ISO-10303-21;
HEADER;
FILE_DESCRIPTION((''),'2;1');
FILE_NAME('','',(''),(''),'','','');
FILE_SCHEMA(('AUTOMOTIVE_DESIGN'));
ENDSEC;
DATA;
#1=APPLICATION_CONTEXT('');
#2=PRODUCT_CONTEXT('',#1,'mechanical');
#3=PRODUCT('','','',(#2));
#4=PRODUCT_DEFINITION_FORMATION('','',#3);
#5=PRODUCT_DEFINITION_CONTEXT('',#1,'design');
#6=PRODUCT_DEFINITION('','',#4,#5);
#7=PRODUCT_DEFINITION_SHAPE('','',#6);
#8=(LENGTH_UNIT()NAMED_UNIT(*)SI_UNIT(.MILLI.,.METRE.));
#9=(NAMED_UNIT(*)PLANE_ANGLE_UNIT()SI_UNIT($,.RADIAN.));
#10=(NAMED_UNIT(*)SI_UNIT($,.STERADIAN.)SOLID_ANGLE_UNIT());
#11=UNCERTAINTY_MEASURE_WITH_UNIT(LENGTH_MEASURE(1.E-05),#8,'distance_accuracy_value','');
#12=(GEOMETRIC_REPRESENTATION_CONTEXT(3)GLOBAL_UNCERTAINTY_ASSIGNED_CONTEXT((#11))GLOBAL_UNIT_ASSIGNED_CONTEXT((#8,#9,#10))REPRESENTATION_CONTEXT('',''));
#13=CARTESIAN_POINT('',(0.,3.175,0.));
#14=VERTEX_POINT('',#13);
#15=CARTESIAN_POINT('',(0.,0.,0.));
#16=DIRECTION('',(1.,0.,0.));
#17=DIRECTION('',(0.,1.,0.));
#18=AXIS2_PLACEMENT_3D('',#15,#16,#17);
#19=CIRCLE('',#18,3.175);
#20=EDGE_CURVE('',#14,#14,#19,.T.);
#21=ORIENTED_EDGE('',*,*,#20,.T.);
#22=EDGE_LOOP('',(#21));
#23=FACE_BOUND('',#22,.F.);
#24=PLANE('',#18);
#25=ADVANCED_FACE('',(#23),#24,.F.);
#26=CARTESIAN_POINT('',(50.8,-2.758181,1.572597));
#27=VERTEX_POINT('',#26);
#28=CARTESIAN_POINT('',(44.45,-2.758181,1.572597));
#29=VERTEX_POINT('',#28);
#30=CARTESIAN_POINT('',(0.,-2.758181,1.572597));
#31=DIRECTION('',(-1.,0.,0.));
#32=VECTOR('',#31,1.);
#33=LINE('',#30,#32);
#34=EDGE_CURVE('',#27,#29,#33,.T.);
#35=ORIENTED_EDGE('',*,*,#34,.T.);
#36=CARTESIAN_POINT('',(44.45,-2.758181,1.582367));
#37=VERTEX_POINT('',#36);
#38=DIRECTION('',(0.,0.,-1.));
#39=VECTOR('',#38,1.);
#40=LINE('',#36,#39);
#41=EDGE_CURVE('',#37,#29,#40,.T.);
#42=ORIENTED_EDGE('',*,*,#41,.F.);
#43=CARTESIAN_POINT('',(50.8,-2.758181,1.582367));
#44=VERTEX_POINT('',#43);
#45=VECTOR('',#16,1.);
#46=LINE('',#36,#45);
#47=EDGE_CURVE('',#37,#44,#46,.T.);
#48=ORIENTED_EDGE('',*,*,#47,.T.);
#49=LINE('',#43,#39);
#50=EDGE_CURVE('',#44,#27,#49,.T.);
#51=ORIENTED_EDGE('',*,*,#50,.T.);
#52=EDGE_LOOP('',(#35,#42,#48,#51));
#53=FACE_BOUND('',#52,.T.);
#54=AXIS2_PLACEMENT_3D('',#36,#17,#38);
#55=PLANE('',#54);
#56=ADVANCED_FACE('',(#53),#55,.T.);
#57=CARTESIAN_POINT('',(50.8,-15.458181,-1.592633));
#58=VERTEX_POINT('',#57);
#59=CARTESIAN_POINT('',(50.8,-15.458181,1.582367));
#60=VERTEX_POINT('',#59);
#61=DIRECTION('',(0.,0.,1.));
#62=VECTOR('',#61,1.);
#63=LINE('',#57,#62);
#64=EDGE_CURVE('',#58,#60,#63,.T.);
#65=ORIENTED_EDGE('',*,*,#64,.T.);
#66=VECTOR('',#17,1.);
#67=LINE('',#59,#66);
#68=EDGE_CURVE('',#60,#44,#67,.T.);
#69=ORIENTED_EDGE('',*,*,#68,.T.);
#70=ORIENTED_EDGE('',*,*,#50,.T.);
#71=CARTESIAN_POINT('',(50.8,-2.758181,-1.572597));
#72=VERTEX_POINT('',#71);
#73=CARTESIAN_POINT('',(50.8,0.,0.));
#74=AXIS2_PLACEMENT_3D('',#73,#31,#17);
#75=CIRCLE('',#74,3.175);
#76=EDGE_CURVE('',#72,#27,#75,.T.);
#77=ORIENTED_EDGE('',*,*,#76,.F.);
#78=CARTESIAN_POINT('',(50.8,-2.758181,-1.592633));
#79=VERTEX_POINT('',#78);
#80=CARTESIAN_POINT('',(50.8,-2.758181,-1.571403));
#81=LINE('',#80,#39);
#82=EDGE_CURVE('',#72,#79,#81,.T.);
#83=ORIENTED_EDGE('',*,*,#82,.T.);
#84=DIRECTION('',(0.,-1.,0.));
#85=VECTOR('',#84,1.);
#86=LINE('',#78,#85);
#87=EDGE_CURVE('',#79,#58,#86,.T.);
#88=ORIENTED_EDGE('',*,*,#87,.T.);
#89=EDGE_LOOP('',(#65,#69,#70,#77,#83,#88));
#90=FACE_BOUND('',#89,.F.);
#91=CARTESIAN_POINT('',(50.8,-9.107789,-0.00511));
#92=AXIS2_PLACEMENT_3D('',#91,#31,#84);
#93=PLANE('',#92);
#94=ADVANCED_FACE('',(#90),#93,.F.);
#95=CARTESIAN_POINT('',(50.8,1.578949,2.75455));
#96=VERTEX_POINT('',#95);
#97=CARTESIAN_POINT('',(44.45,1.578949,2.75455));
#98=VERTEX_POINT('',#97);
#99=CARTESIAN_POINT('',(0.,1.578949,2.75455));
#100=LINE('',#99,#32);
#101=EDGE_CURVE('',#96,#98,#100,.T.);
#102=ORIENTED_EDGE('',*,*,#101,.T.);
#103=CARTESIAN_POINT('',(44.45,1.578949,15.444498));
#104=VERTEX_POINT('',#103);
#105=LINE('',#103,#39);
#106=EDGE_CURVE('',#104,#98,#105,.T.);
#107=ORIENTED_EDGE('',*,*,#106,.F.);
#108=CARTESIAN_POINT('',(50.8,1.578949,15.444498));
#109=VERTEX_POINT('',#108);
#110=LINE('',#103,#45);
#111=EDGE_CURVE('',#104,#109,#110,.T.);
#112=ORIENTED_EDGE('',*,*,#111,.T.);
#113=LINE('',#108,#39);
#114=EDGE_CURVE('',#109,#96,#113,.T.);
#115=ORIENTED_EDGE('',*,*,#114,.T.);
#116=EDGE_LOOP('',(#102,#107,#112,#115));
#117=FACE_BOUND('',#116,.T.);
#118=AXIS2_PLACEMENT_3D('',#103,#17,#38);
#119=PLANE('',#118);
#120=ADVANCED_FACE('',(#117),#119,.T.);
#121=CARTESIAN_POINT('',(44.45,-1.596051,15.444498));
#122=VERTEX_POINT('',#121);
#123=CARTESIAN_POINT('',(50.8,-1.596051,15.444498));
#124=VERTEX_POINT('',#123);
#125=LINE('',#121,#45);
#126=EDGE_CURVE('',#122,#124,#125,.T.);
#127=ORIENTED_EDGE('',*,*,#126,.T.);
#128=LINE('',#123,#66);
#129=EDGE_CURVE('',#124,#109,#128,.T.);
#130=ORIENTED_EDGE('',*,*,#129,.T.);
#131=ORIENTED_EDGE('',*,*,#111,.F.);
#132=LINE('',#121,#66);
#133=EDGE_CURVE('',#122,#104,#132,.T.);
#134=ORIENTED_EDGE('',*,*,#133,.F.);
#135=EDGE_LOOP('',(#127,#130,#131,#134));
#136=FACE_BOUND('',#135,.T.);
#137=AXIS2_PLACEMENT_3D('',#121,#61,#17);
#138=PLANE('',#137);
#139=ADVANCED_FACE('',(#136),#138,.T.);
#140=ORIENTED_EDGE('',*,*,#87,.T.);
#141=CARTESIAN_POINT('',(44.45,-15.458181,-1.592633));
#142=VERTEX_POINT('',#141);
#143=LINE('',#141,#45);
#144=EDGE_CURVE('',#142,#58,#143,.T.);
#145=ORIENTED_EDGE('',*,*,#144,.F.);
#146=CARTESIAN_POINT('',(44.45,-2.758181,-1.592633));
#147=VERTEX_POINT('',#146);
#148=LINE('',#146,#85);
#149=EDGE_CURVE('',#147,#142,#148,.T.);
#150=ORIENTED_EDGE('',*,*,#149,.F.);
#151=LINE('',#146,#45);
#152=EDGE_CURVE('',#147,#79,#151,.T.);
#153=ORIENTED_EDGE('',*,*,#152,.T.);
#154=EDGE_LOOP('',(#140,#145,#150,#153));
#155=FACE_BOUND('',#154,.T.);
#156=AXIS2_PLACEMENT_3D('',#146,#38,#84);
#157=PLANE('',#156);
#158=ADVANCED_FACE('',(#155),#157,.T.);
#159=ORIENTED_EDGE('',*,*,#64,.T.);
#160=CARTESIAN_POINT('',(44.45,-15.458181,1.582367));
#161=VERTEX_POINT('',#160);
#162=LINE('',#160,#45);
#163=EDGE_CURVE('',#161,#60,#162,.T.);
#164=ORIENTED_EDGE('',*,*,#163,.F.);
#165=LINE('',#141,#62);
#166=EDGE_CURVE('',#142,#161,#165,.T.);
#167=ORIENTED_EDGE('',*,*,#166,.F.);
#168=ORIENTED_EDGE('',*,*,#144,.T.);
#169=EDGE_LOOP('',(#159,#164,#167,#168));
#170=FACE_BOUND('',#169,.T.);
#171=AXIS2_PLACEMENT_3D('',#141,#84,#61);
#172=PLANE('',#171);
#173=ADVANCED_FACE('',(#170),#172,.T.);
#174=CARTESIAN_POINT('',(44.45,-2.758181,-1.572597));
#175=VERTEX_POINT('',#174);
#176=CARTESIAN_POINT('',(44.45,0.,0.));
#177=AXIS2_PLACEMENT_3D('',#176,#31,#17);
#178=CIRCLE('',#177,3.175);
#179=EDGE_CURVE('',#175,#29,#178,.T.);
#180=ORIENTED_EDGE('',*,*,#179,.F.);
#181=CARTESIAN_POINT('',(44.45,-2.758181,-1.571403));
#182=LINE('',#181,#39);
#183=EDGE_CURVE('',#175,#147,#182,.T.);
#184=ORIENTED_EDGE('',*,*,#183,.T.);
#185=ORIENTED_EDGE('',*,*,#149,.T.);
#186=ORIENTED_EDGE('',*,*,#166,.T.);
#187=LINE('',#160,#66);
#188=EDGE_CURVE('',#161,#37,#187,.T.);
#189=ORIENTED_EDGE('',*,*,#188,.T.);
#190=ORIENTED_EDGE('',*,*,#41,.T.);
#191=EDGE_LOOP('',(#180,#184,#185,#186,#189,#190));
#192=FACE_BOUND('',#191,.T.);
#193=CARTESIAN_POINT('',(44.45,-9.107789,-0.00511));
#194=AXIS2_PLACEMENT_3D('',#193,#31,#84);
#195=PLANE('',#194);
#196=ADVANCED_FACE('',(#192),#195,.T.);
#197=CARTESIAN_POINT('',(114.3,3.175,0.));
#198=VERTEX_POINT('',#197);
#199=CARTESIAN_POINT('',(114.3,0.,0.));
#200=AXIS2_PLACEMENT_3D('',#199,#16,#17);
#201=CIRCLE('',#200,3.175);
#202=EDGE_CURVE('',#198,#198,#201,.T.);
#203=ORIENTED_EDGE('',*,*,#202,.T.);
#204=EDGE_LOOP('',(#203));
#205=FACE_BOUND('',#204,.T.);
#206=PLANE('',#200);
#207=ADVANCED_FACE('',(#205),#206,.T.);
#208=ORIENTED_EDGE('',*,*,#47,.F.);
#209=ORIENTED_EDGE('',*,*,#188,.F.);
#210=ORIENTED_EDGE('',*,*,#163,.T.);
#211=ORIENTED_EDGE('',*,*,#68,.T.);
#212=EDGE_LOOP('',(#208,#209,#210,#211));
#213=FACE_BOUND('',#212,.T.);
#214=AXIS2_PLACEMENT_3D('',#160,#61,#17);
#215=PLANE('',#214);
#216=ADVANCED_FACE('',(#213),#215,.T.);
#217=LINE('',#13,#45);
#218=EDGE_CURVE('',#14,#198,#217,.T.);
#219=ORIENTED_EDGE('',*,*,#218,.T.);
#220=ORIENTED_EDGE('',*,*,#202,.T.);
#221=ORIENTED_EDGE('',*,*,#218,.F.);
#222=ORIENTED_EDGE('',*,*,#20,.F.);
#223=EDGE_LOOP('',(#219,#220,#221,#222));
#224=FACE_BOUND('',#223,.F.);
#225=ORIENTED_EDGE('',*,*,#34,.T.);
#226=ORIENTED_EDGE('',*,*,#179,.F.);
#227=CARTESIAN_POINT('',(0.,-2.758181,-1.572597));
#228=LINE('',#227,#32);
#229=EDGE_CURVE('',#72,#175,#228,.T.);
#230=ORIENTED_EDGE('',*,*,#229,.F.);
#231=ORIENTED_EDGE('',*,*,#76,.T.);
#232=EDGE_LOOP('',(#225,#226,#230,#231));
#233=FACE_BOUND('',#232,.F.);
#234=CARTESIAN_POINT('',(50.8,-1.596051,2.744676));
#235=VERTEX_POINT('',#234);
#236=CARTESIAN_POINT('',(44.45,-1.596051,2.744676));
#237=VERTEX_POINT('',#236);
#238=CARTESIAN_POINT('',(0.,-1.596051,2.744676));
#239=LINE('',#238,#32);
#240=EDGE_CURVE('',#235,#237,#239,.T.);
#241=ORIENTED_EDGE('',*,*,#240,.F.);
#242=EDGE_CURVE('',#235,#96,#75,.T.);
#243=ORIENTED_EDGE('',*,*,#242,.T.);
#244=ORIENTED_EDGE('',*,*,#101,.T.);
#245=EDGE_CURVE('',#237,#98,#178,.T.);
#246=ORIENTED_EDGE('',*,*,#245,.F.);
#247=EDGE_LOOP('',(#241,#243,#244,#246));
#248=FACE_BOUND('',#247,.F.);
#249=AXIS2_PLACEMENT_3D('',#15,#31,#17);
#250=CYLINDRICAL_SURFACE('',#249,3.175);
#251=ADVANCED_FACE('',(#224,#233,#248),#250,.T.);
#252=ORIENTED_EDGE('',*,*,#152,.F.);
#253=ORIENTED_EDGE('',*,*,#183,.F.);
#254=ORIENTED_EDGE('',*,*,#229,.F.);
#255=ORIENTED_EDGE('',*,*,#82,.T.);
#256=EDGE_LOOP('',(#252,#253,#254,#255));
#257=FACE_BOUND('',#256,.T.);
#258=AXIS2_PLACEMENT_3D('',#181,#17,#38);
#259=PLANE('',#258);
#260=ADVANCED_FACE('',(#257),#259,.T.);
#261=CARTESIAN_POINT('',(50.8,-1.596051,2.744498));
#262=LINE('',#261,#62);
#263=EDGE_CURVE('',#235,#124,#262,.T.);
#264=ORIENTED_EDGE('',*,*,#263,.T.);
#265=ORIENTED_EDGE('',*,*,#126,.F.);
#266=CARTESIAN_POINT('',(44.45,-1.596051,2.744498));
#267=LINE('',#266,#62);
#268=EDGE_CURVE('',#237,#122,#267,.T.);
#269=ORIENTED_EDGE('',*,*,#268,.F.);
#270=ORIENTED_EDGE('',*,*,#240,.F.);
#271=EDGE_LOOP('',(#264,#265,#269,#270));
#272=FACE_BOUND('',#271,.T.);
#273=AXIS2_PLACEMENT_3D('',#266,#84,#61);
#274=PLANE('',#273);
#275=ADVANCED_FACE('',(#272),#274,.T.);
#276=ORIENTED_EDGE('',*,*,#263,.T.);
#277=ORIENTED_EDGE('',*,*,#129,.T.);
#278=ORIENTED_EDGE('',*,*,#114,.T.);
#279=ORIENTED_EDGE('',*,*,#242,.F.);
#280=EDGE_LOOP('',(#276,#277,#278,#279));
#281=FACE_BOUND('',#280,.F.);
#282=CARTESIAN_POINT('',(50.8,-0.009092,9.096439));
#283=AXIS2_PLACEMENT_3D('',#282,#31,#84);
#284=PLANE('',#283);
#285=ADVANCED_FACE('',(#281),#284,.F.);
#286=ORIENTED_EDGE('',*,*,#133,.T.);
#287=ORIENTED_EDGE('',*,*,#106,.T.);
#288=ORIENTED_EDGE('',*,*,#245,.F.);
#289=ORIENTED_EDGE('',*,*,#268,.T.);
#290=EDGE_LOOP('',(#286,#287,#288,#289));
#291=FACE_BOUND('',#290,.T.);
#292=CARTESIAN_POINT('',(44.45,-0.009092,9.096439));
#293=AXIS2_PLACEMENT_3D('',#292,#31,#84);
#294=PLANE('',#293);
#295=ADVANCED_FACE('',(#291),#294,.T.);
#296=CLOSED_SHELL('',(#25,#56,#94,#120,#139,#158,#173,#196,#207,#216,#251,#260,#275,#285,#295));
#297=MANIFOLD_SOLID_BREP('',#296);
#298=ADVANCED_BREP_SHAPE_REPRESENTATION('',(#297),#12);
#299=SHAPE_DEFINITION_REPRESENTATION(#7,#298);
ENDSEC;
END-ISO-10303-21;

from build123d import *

# Parameters (mm, degrees)
F0_R     = 3.175
F1_DEPTH = 114.3
F5_DEPTH = 6.35


with BuildPart() as f1:
    # F0 (on Right) → F1 (new body)
    with BuildSketch(Plane.YZ):
        Circle(F0_R)
    extrude(amount=F1_DEPTH)

    # F4 (on offset) → F5 (join)
    with BuildSketch(Plane(origin=(44.45, 0, 0), x_dir=(0, -1, 0), z_dir=(-1, 0, 0))):
        with BuildLine():
            Line((15.4581812469, 1.5823668619), (2.7581812469, 1.5823668619))
            Line((2.7581812469, 1.5823668619), (2.7581812469, 1.571402878))
            ThreePointArc((2.7581812469, 1.571402878), (3.0685880653, 0.8127964573), (3.1744087316, 0))
            ThreePointArc((3.1744087316, 0), (3.0685880653, -0.8127964573), (2.7581812469, -1.571402878))
            Line((2.7581812469, -1.571402878), (2.7581812469, -1.5926331381))
            Line((2.7581812469, -1.5926331381), (15.4581812469, -1.5926331381))
            Line((15.4581812469, -1.5926331381), (15.4581812469, 1.5823668619))
        make_face()
        with BuildLine():
            ThreePointArc((-1.5789494102, 2.7538681079), (0.0093713682, 3.1743948987), (1.5951815458, 2.7444975189))
            Line((1.5951815458, 2.7444975189), (1.5960505898, 2.7444975189))
            Line((1.5960505898, 2.7444975189), (1.5960505898, 15.4444975189))
            Line((1.5960505898, 15.4444975189), (-1.5789494102, 15.4444975189))
            Line((-1.5789494102, 15.4444975189), (-1.5789494102, 2.7538681079))
        make_face()
    extrude(amount=-F5_DEPTH)


solid = f1.part
